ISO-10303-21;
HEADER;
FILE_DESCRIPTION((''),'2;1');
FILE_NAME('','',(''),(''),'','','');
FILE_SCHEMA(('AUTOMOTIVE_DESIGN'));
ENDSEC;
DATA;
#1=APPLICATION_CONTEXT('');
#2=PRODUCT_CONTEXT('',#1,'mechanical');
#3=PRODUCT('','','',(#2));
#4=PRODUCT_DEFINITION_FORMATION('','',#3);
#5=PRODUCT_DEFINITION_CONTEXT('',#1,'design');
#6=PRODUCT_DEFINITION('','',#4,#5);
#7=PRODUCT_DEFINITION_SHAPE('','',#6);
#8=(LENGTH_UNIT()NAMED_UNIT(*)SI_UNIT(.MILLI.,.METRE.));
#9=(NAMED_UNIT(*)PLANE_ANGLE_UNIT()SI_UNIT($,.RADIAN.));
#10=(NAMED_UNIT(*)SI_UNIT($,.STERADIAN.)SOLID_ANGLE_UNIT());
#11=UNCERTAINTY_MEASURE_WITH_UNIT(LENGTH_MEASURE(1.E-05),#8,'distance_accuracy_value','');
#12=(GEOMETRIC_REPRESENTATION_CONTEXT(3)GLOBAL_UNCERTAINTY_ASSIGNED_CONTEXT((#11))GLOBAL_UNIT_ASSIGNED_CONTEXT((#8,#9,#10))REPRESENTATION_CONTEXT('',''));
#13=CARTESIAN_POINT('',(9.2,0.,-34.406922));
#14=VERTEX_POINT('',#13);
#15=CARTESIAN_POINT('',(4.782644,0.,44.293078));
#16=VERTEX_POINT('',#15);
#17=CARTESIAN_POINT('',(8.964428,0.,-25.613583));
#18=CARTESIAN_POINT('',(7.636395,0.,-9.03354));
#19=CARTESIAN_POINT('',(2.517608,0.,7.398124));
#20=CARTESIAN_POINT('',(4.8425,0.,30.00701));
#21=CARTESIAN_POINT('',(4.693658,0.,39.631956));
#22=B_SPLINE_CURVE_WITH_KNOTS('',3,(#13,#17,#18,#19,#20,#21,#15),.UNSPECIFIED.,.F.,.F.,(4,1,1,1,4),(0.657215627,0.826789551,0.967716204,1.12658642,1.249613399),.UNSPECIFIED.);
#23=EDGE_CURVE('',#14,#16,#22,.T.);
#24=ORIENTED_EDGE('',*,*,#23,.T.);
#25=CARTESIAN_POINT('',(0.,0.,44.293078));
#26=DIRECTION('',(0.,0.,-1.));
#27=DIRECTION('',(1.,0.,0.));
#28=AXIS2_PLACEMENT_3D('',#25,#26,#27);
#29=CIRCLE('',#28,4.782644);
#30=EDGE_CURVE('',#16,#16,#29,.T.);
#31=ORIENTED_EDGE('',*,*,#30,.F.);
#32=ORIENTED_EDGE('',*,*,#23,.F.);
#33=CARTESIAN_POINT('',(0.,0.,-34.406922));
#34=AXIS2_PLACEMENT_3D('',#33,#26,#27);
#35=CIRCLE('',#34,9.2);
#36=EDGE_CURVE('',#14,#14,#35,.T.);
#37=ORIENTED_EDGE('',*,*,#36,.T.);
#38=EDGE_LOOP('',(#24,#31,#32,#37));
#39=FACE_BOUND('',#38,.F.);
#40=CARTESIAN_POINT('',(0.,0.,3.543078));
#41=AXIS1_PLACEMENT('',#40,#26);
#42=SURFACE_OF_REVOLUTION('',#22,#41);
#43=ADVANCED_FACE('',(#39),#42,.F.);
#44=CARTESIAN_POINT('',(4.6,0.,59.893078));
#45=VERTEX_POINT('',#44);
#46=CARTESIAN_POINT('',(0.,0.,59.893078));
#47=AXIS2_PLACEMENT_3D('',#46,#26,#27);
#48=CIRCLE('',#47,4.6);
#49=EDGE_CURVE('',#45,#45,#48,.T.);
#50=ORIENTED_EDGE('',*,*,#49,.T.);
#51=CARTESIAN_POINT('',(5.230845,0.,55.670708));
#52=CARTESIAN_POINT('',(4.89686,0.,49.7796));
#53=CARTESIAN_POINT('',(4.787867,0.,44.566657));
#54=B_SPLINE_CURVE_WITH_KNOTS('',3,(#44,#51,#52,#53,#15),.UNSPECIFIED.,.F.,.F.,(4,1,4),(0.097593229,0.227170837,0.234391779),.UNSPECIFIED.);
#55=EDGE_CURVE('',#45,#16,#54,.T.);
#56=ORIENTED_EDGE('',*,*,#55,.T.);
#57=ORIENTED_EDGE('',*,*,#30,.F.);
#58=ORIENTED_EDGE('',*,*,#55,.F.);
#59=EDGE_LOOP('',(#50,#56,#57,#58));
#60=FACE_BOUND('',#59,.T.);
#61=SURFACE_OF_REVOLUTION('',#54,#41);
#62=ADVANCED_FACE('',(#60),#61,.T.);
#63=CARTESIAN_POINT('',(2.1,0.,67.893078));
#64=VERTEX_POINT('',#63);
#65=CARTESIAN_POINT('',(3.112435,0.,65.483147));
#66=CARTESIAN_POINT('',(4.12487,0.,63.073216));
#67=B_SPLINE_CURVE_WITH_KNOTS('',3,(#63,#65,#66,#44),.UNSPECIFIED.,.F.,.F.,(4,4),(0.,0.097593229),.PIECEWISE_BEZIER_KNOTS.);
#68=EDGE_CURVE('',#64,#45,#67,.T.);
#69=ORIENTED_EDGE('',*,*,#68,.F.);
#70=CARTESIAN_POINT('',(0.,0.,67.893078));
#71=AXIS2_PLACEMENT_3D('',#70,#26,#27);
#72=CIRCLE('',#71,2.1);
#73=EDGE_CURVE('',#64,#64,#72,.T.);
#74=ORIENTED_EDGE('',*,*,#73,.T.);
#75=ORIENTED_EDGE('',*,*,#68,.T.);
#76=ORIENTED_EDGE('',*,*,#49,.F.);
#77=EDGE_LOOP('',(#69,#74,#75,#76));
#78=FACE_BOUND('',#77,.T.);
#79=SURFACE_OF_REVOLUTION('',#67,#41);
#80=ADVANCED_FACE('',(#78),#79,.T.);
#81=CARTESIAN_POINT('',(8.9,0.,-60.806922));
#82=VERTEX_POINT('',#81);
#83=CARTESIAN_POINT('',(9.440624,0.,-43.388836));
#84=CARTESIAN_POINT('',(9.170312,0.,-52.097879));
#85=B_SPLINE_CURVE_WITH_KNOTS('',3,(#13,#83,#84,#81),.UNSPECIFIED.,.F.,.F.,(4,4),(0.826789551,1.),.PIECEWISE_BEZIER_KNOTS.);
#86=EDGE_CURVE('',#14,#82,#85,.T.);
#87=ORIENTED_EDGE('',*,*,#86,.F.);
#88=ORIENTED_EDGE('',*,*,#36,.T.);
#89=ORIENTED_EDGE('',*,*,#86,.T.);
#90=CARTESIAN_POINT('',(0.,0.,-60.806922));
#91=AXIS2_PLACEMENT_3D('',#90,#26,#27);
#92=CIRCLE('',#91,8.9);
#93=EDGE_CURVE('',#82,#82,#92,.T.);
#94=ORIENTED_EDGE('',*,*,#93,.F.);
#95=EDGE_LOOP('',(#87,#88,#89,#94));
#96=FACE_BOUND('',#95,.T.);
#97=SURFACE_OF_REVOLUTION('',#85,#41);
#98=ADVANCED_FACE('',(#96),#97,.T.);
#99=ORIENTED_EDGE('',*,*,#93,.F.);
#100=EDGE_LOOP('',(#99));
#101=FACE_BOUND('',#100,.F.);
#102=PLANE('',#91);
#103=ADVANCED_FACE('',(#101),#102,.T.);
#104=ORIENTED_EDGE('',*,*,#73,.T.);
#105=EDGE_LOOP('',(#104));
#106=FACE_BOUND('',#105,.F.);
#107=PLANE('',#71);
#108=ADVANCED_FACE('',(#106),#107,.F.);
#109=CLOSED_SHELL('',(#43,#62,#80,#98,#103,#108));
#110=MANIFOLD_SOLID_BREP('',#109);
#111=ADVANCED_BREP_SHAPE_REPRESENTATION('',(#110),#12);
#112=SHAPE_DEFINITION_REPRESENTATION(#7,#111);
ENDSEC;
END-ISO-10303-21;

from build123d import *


with BuildPart() as f1:
    # F0 (on Front) → F1 (revolve)
    with BuildSketch(Plane.XZ):
        with BuildLine():
            Line((2.1, 67.8930776252), (0, 67.8930776252))
            Line((0, 67.8930776252), (0, 59.8930776252))
            Line((0, 59.8930776252), (4.6, 59.8930776252))
            add(Edge.make_bspline(
                [(2.1, 67.8930776252), (3.1124351011, 65.4831465707), (4.1248702022, 63.0732155163), (4.6, 59.8930776252)],
                knots=[0, 0, 0, 0, 0.0975932292, 0.0975932292, 0.0975932292, 0.0975932292], degree=3))
        make_face()
        with BuildLine():
            Line((4.6, 59.8930776252), (0, 59.8930776252))
            Line((0, 59.8930776252), (0, 44.2930776252))
            Line((0, 44.2930776252), (4.7826436906, 44.2930776252))
            add(Edge.make_bspline(
                [(4.6, 59.8930776252), (5.2308448174, 55.6707082502), (4.8968602277, 49.7796001298), (4.7878666087, 44.5666573381), (4.7826436906, 44.2930776252)],
                knots=[0.0975932292, 0.0975932292, 0.0975932292, 0.0975932292, 0.2271708374, 0.2343917785, 0.2343917785, 0.2343917785, 0.2343917785], degree=3))
        make_face()
        with BuildLine():
            Line((4.7826436906, 44.2930776252), (0, 44.2930776252))
            Line((0, 44.2930776252), (0, 30.1930776252))
            Line((0, 30.1930776252), (4.5, 30.1930776252))
            add(Edge.make_bspline(
                [(4.7826436906, 44.2930776252), (4.6936580809, 39.631955877), (4.7586162959, 35.43138884), (4.5, 30.1930776252)],
                knots=[0.2343917785, 0.2343917785, 0.2343917785, 0.2343917785, 0.3574187573, 0.3574187573, 0.3574187573, 0.3574187573], degree=3))
        make_face()
        with BuildLine():
            Line((4.5, 30.1930776252), (0, 30.1930776252))
            Line((0, 30.1930776252), (0, 7.9930776252))
            Line((0, 7.9930776252), (3.8, 7.9930776252))
            add(Edge.make_bspline(
                [(4.5, 30.1930776252), (4.1660372599, 23.4286130709), (3.2924911446, 14.933636726), (3.8, 7.9930776252)],
                knots=[0.3574187573, 0.3574187573, 0.3574187573, 0.3574187573, 0.5162889739, 0.5162889739, 0.5162889739, 0.5162889739], degree=3))
        make_face()
        with BuildLine():
            Line((3.8, 7.9930776252), (0, 7.9930776252))
            Line((0, 7.9930776252), (0, -9.2069223748))
            Line((0, -9.2069223748), (6.9, -9.2069223748))
            add(Edge.make_bspline(
                [(3.8, 7.9930776252), (4.2501883741, 1.8364185173), (5.7870832537, -3.0971210428), (6.9, -9.2069223748)],
                knots=[0.5162889739, 0.5162889739, 0.5162889739, 0.5162889739, 0.6572156271, 0.6572156271, 0.6572156271, 0.6572156271], degree=3))
        make_face()
        with BuildLine():
            Line((6.9, -9.2069223748), (0, -9.2069223748))
            Line((0, -9.2069223748), (0, -34.4069223748))
            Line((0, -34.4069223748), (9.2, -34.4069223748))
            add(Edge.make_bspline(
                [(6.9, -9.2069223748), (8.2391480935, -16.5587111161), (8.9644277297, -25.6135829708), (9.2, -34.4069223748)],
                knots=[0.6572156271, 0.6572156271, 0.6572156271, 0.6572156271, 0.8267895505, 0.8267895505, 0.8267895505, 0.8267895505], degree=3))
        make_face()
        with BuildLine():
            Line((9.2, -34.4069223748), (0, -34.4069223748))
            Line((0, -34.4069223748), (0, -60.8069223748))
            Line((0, -60.8069223748), (8.9, -60.8069223748))
            add(Edge.make_bspline(
                [(9.2, -34.4069223748), (9.4406241363, -43.3888356384), (9.1703120682, -52.0978790066), (8.9, -60.8069223748)],
                knots=[0.8267895505, 0.8267895505, 0.8267895505, 0.8267895505, 1, 1, 1, 1], degree=3))
        make_face()
    revolve(axis=Axis((0, 0, 3.5430776252), (0, 0, -1)))


solid = f1.part
